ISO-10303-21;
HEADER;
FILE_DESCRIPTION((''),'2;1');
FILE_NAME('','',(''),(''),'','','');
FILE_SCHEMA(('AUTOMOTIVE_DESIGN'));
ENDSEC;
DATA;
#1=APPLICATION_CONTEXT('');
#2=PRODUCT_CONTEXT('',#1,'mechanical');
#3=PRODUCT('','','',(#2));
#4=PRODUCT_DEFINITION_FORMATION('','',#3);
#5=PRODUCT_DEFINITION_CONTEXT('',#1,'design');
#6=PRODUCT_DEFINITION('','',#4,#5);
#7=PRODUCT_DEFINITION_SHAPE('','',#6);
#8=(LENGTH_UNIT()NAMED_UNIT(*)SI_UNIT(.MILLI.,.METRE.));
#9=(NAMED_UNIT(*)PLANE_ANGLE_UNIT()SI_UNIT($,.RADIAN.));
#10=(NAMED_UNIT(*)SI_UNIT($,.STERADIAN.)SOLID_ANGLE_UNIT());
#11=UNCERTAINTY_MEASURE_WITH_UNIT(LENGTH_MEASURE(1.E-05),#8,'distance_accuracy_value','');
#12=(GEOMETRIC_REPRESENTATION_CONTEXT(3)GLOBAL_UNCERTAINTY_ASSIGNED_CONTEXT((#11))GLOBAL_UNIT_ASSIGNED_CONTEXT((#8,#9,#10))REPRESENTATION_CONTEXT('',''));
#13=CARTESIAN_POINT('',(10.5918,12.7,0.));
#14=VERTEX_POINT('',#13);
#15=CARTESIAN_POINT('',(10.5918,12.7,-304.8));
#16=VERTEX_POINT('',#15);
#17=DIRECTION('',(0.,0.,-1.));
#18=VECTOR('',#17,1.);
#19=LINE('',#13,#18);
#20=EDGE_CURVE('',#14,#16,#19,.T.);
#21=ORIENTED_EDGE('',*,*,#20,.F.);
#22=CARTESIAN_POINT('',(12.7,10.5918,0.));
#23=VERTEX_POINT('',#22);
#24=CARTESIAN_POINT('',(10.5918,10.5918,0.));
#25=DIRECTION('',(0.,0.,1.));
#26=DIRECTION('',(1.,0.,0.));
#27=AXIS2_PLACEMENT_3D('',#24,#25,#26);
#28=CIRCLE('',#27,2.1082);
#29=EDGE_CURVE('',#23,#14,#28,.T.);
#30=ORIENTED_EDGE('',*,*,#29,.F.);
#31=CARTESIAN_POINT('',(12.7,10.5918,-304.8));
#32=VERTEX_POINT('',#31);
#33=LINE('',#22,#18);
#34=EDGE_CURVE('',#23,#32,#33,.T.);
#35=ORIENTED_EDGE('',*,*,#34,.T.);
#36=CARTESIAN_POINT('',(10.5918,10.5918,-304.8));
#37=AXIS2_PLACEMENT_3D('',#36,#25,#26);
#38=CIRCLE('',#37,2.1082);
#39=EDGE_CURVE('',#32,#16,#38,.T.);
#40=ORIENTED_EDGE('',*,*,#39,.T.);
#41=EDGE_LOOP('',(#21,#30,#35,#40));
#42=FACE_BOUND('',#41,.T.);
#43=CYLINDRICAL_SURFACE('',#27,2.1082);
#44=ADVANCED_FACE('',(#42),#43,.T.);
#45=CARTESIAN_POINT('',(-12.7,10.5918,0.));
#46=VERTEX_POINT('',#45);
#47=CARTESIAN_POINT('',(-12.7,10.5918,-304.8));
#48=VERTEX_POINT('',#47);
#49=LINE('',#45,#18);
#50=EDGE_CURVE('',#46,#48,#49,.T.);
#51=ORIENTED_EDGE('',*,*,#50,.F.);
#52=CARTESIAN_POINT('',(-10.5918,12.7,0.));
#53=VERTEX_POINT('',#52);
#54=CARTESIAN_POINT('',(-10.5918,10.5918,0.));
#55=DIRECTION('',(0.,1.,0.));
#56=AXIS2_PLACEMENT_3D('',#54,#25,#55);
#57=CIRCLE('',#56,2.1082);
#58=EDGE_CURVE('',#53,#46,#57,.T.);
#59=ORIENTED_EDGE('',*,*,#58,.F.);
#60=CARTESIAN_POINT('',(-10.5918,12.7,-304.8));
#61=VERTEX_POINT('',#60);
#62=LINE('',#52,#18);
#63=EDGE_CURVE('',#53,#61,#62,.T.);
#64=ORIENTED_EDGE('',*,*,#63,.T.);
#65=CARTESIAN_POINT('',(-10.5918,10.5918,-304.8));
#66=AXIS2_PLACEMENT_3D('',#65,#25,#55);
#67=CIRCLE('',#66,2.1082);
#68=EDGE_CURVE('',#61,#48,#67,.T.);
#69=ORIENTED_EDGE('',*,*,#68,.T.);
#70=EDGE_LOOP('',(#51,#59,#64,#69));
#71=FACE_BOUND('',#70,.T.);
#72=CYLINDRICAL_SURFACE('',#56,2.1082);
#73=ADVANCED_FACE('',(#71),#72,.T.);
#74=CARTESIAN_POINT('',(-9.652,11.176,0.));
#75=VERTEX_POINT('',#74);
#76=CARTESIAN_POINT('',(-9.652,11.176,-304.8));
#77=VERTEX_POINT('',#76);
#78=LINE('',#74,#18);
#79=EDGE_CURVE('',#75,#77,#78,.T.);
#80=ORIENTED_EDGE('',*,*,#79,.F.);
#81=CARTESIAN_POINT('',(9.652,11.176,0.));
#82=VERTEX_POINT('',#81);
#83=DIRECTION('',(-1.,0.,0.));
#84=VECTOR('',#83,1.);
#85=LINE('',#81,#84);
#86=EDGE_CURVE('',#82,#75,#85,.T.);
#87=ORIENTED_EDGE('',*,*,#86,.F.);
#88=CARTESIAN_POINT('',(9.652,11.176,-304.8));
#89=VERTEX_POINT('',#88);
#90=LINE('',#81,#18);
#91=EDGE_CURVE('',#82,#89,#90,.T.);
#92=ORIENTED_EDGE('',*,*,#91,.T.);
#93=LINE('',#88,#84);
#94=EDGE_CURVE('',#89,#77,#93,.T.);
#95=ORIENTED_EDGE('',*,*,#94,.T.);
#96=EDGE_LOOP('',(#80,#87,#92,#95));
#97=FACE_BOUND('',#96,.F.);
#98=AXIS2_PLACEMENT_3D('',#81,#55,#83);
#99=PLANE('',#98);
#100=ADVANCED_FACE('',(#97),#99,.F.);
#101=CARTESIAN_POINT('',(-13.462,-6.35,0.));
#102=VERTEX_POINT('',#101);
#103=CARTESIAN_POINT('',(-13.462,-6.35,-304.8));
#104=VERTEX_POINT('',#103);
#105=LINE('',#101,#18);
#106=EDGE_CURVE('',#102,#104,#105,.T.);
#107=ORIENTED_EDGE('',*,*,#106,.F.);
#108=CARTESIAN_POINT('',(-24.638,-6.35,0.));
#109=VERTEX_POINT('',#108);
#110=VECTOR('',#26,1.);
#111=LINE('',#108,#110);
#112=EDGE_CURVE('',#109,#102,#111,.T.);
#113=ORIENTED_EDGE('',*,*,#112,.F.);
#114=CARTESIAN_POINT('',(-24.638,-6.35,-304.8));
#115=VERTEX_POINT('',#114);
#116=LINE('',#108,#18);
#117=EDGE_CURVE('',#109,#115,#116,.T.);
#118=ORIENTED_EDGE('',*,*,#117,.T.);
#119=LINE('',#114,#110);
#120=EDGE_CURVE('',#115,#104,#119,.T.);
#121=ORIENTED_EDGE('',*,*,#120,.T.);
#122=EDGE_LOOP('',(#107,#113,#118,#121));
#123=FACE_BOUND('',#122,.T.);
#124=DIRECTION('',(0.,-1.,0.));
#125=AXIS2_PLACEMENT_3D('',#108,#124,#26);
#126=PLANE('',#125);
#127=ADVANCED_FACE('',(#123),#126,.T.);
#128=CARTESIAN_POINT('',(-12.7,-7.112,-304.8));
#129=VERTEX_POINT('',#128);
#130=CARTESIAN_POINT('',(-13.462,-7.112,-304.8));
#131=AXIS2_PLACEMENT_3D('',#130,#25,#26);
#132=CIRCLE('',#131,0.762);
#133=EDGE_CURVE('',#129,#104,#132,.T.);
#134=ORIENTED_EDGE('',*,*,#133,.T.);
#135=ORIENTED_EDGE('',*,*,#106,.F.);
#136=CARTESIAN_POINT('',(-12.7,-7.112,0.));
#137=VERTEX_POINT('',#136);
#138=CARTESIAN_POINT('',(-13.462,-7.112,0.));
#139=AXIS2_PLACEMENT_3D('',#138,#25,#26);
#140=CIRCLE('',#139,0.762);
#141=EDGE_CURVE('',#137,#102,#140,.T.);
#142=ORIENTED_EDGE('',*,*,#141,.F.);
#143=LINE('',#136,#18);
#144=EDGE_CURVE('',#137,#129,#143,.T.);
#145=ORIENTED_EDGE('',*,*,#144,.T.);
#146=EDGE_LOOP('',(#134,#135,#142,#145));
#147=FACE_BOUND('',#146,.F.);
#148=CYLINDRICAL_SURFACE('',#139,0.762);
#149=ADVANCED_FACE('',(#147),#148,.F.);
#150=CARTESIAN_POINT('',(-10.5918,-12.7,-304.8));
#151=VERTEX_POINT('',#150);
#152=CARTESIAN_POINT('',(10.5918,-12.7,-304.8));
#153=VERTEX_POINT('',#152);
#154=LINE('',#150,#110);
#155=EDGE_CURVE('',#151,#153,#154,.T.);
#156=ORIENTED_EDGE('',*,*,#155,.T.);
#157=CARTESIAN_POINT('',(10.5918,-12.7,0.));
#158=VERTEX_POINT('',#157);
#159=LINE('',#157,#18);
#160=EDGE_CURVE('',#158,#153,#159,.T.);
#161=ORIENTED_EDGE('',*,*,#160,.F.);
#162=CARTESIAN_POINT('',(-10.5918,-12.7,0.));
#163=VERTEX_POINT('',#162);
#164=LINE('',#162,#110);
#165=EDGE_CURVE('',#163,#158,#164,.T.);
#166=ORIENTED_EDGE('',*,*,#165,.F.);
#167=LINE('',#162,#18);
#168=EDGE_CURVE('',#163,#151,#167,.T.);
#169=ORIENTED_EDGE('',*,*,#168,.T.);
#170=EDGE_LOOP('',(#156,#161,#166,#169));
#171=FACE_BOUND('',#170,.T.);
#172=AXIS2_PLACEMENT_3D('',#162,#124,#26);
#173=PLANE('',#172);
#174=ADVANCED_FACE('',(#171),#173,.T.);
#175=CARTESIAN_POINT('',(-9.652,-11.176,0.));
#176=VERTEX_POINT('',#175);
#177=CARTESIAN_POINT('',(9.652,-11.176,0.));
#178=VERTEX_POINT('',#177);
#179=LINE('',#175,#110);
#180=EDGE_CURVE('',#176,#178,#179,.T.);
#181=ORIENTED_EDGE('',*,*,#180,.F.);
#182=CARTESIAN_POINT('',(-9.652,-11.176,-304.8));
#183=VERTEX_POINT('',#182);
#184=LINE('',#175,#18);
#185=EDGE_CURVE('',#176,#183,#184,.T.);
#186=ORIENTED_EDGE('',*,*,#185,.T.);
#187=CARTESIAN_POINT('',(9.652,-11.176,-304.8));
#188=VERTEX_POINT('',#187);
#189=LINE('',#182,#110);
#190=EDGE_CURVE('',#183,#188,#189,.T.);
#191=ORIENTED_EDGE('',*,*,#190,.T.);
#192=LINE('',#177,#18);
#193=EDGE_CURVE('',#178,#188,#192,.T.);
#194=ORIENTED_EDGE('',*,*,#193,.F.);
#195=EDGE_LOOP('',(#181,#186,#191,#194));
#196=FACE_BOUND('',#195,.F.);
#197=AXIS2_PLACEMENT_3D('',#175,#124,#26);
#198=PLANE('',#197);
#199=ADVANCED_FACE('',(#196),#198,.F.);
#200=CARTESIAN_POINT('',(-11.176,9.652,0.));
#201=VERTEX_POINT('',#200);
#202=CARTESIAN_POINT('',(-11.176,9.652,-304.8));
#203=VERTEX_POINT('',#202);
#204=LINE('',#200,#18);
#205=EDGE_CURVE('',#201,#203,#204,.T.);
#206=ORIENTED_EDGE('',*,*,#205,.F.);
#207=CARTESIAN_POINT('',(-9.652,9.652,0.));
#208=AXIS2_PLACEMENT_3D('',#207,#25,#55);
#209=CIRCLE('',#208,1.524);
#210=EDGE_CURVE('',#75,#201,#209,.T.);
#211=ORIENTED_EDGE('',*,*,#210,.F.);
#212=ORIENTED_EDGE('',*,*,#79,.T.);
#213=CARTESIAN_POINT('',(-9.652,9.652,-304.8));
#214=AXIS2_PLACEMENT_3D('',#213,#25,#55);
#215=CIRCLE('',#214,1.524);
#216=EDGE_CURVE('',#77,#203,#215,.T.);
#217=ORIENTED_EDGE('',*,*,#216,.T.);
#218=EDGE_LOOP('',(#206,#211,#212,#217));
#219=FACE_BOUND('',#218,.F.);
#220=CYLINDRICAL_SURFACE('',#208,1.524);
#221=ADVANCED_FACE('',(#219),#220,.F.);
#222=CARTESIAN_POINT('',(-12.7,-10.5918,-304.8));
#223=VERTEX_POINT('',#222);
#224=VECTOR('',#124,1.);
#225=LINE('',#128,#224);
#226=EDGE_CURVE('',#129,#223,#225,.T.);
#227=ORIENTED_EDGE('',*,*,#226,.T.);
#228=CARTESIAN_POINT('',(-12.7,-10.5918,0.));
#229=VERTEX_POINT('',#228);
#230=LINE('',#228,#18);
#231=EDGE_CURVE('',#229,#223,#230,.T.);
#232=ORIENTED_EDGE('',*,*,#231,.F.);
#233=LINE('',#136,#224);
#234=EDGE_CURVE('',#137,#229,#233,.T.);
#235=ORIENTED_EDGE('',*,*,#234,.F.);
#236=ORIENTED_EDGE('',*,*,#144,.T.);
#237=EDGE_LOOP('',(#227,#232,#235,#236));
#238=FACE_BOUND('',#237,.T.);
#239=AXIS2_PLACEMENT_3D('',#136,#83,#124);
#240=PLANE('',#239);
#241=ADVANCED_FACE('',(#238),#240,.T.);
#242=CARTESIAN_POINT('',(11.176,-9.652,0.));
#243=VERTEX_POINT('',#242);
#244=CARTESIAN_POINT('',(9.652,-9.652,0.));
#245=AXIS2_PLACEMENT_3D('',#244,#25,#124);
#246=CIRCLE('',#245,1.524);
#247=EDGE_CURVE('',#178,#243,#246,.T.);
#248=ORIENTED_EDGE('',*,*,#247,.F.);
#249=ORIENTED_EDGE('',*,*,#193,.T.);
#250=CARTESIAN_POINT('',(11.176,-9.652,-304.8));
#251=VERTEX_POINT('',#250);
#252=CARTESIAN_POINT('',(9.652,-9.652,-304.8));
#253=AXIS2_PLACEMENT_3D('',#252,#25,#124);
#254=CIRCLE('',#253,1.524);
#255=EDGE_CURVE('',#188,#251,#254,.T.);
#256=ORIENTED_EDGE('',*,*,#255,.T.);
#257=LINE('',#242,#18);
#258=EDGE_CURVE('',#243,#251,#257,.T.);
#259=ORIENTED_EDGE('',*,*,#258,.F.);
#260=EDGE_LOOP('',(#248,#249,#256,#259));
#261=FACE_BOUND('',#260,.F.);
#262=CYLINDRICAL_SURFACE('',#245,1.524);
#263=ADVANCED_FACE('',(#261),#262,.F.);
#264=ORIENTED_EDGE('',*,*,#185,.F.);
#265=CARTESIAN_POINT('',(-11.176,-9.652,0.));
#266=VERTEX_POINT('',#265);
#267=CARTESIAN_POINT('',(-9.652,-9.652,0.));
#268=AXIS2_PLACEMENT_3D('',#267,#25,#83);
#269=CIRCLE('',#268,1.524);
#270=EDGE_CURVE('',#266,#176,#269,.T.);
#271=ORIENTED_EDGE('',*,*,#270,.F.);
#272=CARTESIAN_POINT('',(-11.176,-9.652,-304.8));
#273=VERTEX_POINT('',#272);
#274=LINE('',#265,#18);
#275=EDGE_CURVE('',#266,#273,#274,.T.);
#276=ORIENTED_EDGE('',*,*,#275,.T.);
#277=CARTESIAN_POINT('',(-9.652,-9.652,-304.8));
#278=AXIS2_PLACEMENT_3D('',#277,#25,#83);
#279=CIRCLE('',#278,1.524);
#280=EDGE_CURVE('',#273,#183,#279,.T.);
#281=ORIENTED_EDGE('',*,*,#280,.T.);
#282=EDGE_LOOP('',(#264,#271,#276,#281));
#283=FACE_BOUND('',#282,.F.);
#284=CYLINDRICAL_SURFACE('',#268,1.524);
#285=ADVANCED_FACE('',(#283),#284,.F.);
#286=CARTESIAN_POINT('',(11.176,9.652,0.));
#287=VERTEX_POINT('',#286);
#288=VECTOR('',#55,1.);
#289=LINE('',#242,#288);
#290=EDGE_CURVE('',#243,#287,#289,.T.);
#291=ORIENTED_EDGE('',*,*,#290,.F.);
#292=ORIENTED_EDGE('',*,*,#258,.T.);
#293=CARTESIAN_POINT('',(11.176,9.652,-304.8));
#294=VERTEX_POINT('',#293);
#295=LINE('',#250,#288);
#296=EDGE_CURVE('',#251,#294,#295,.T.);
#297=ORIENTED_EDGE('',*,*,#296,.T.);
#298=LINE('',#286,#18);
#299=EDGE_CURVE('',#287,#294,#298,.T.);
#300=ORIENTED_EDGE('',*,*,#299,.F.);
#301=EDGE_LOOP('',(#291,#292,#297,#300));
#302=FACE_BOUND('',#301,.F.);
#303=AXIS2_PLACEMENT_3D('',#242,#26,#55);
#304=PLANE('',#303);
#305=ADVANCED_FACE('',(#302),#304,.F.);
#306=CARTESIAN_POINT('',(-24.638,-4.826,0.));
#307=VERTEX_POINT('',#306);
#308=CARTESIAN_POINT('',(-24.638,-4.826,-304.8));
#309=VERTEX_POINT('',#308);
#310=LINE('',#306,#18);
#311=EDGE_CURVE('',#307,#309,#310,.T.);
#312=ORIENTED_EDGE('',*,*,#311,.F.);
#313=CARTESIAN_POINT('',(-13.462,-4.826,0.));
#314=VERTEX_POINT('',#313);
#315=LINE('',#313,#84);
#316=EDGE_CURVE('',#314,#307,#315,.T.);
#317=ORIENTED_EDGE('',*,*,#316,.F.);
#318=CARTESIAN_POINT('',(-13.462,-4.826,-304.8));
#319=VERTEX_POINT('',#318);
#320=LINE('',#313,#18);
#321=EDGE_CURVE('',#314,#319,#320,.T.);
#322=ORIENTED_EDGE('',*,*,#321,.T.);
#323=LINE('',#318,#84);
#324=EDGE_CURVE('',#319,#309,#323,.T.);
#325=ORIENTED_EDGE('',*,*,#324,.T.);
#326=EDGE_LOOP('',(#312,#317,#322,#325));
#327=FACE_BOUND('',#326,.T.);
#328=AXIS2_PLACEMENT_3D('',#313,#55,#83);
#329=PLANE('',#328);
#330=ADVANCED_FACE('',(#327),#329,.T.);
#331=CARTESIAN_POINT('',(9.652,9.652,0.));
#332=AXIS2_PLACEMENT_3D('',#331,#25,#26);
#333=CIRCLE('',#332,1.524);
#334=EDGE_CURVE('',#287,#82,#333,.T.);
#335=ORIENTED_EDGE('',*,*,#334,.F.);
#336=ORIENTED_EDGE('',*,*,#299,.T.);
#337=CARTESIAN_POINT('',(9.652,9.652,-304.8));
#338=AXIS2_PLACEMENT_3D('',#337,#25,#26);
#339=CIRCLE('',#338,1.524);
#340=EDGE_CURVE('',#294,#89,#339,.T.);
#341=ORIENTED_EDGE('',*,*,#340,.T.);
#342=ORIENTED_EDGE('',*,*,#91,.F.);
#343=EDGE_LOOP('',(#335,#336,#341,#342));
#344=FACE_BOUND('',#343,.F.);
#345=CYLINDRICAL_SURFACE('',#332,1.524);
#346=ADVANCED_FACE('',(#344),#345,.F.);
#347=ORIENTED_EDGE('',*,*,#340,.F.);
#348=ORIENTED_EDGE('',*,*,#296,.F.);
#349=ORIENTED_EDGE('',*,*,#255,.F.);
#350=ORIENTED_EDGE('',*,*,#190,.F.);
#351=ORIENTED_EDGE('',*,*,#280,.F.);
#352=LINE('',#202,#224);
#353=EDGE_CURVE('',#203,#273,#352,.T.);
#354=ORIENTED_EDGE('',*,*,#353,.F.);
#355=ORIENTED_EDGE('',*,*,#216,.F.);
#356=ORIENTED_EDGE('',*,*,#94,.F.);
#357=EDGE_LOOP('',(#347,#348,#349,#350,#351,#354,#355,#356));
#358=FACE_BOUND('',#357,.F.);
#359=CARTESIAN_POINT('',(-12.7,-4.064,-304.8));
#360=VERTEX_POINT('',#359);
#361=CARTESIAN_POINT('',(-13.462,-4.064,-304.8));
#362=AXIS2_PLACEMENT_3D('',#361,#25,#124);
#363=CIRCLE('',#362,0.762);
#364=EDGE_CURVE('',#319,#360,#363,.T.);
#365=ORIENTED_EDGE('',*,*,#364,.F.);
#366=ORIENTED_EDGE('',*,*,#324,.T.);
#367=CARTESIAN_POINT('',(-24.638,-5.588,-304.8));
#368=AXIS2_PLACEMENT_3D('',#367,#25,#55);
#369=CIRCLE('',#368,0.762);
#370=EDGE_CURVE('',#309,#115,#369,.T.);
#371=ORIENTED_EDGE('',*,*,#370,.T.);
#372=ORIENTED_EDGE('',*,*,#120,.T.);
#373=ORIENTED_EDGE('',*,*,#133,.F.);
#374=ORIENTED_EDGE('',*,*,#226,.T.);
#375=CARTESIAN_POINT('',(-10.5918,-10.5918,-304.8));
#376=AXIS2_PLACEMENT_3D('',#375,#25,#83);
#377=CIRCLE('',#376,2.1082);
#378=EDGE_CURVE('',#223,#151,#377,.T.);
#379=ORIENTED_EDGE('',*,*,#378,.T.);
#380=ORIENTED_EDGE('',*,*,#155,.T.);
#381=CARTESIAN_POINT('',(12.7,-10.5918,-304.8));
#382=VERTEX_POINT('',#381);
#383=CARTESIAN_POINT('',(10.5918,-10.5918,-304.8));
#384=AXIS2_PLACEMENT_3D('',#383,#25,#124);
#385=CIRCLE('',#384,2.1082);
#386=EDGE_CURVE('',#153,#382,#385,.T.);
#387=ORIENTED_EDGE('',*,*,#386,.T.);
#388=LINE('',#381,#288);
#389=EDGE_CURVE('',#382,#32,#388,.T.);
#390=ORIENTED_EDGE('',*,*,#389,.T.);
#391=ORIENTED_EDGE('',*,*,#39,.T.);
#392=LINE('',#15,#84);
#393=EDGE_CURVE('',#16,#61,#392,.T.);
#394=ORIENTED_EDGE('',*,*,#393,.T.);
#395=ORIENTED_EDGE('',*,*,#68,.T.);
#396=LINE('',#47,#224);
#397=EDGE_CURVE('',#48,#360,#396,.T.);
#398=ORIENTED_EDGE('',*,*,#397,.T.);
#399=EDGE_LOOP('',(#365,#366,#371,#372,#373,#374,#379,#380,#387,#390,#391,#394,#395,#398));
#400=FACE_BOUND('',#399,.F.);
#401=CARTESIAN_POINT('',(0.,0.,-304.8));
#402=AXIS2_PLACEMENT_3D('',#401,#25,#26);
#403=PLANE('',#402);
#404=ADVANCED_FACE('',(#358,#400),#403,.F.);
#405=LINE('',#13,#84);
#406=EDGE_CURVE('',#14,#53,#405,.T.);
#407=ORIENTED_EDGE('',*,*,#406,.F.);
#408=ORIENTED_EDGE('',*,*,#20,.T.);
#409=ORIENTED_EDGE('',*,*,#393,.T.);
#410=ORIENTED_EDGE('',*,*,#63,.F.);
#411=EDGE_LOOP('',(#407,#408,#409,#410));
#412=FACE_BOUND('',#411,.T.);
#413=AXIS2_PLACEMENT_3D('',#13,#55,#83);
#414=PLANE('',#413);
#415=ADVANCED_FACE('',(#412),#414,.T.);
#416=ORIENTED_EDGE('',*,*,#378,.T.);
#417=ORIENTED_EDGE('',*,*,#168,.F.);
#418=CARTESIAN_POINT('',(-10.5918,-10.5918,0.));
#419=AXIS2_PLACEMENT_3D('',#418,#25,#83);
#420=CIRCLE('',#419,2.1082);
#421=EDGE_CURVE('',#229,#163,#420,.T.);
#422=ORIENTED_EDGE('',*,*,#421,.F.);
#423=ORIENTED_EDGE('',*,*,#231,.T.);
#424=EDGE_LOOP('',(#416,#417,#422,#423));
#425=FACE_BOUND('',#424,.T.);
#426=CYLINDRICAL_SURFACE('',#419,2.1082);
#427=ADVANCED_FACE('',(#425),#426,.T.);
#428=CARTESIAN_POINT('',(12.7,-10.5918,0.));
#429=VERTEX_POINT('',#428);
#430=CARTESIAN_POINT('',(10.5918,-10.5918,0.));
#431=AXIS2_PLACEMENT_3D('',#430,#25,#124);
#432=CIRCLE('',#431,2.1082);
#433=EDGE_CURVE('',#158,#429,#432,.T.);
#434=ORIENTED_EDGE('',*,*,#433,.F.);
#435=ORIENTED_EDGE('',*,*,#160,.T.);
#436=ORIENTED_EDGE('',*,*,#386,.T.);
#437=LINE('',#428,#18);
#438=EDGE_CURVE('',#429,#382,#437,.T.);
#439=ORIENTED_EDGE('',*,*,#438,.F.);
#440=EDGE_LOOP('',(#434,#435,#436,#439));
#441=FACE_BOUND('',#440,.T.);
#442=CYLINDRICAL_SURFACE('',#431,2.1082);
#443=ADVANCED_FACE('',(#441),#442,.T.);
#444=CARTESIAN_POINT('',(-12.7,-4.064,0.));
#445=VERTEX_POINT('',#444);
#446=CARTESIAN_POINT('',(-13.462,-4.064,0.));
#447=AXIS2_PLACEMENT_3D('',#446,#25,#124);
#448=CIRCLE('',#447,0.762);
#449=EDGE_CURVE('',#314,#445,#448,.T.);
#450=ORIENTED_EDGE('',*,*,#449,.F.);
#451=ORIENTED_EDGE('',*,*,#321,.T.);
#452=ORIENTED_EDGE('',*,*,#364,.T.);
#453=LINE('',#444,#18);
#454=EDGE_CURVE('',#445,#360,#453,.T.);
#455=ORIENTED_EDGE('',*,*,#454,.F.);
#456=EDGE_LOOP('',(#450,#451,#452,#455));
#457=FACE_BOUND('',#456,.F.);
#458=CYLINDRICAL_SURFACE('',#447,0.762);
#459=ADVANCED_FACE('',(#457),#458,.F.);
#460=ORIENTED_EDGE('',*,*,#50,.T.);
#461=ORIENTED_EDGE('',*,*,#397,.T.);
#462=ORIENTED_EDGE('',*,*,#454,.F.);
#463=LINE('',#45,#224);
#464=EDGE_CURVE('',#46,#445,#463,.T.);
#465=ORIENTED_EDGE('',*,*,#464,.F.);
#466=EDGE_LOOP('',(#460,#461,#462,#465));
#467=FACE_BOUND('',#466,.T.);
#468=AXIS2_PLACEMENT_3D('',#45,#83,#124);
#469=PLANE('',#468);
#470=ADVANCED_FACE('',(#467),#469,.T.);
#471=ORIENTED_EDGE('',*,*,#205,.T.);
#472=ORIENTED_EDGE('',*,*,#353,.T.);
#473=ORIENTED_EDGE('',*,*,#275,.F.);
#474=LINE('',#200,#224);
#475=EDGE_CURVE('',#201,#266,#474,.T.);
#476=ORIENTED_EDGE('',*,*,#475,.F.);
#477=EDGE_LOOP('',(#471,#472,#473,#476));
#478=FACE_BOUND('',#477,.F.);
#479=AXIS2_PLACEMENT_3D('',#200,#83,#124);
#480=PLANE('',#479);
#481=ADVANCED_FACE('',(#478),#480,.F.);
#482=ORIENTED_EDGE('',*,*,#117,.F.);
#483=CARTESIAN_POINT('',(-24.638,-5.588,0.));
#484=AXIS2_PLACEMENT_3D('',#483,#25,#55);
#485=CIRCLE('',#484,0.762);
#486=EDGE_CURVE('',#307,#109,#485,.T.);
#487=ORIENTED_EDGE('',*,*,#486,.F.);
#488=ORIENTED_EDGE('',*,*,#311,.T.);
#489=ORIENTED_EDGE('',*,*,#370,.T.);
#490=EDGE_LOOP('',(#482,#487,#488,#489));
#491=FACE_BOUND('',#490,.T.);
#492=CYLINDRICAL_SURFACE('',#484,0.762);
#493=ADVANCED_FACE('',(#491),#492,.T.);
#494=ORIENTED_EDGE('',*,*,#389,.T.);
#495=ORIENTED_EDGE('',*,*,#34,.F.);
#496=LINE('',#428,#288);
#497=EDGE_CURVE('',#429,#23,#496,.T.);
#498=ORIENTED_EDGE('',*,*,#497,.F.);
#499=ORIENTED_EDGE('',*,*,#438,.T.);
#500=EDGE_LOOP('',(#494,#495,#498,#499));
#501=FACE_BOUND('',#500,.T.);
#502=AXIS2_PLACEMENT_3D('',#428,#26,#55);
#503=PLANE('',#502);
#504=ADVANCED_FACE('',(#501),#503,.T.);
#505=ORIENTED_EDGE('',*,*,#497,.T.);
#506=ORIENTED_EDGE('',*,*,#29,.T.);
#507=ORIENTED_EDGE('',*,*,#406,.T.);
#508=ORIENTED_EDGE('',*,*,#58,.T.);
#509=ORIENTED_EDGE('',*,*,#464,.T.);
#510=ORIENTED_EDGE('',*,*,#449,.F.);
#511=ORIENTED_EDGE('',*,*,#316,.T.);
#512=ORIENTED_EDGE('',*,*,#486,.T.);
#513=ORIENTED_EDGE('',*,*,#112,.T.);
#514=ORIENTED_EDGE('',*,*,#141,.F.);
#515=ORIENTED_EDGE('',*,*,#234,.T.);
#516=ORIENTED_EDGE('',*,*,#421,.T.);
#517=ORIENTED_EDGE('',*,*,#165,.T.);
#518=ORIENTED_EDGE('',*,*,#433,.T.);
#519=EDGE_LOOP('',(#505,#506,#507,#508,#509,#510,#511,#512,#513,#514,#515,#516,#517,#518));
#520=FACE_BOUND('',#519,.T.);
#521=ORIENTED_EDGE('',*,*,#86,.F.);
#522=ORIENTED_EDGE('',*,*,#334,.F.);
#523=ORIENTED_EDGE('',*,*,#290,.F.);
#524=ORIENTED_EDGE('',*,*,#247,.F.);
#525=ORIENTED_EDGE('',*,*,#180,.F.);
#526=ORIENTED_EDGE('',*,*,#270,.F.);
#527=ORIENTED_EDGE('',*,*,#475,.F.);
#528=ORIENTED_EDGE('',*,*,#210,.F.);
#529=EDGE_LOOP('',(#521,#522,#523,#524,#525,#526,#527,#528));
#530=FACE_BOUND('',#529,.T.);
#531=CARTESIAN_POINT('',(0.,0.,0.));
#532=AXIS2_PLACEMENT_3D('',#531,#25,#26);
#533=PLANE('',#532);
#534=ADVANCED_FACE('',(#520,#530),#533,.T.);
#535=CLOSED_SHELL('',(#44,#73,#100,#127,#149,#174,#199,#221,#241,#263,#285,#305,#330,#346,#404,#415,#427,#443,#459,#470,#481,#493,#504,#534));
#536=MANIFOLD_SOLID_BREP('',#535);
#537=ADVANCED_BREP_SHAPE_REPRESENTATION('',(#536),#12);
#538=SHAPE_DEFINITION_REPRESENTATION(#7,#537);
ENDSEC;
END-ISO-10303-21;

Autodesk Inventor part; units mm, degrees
ref_plane "YZ Plane" through (0, 0, 0) normal (1, 0, 0) x (0, 1, 0)
ref_plane "XZ Plane" through (0, 0, 0) normal (0, 1, 0) x (-1, 0, 0)
ref_plane "XY Plane" through (0, 0, 0) normal (0, 0, 1) x (1, 0, 0)
sketch "Sketch1" plane through (0, 0, 0) normal (0, 0, 1) x (1, 0, 0)
  arc A0 (9.652, -11.176) -> (11.176, -9.652) centre (9.652, -9.652) ccw
  line L0 (-9.652, -11.176) -> (9.652, -11.176)
  arc A1 (-11.176, -9.652) -> (-9.652, -11.176) centre (-9.652, -9.652) ccw
  line L1 (-11.176, 9.652) -> (-11.176, -9.652)
  arc A2 (-9.652, 11.176) -> (-11.176, 9.652) centre (-9.652, 9.652) ccw
  line L2 (9.652, 11.176) -> (-9.652, 11.176)
  arc A3 (11.176, 9.652) -> (9.652, 11.176) centre (9.652, 9.652) ccw
  line L3 (11.176, -9.652) -> (11.176, 9.652)
  arc A4 (-12.7, -7.112) -> (-13.462, -6.35) centre (-13.462, -7.112) ccw
  line L4 (-12.7, -7.112) -> (-12.7, -10.5918)
  arc A5 (-12.7, -10.5918) -> (-10.5918, -12.7) centre (-10.5918, -10.5918) ccw
  line L5 (-10.5918, -12.7) -> (10.5918, -12.7)
  arc A6 (10.5918, -12.7) -> (12.7, -10.5918) centre (10.5918, -10.5918) ccw
  line L6 (12.7, -10.5918) -> (12.7, 10.5918)
  arc A7 (12.7, 10.5918) -> (10.5918, 12.7) centre (10.5918, 10.5918) ccw
  line L7 (10.5918, 12.7) -> (-10.5918, 12.7)
  arc A8 (-10.5918, 12.7) -> (-12.7, 10.5918) centre (-10.5918, 10.5918) ccw
  line L8 (-12.7, 10.5918) -> (-12.7, -4.064)
  arc A9 (-13.462, -4.826) -> (-12.7, -4.064) centre (-13.462, -4.064) ccw
  line L9 (-13.462, -4.826) -> (-24.638, -4.826)
  arc A10 (-24.638, -4.826) -> (-24.638, -6.35) centre (-24.638, -5.588) ccw
  line L10 (-24.638, -6.35) -> (-13.462, -6.35)
  point P0 (0, 0)
extrude "Extrusion1" add sketch "Sketch1" against normal blind 304.8
properties part number "9005"
